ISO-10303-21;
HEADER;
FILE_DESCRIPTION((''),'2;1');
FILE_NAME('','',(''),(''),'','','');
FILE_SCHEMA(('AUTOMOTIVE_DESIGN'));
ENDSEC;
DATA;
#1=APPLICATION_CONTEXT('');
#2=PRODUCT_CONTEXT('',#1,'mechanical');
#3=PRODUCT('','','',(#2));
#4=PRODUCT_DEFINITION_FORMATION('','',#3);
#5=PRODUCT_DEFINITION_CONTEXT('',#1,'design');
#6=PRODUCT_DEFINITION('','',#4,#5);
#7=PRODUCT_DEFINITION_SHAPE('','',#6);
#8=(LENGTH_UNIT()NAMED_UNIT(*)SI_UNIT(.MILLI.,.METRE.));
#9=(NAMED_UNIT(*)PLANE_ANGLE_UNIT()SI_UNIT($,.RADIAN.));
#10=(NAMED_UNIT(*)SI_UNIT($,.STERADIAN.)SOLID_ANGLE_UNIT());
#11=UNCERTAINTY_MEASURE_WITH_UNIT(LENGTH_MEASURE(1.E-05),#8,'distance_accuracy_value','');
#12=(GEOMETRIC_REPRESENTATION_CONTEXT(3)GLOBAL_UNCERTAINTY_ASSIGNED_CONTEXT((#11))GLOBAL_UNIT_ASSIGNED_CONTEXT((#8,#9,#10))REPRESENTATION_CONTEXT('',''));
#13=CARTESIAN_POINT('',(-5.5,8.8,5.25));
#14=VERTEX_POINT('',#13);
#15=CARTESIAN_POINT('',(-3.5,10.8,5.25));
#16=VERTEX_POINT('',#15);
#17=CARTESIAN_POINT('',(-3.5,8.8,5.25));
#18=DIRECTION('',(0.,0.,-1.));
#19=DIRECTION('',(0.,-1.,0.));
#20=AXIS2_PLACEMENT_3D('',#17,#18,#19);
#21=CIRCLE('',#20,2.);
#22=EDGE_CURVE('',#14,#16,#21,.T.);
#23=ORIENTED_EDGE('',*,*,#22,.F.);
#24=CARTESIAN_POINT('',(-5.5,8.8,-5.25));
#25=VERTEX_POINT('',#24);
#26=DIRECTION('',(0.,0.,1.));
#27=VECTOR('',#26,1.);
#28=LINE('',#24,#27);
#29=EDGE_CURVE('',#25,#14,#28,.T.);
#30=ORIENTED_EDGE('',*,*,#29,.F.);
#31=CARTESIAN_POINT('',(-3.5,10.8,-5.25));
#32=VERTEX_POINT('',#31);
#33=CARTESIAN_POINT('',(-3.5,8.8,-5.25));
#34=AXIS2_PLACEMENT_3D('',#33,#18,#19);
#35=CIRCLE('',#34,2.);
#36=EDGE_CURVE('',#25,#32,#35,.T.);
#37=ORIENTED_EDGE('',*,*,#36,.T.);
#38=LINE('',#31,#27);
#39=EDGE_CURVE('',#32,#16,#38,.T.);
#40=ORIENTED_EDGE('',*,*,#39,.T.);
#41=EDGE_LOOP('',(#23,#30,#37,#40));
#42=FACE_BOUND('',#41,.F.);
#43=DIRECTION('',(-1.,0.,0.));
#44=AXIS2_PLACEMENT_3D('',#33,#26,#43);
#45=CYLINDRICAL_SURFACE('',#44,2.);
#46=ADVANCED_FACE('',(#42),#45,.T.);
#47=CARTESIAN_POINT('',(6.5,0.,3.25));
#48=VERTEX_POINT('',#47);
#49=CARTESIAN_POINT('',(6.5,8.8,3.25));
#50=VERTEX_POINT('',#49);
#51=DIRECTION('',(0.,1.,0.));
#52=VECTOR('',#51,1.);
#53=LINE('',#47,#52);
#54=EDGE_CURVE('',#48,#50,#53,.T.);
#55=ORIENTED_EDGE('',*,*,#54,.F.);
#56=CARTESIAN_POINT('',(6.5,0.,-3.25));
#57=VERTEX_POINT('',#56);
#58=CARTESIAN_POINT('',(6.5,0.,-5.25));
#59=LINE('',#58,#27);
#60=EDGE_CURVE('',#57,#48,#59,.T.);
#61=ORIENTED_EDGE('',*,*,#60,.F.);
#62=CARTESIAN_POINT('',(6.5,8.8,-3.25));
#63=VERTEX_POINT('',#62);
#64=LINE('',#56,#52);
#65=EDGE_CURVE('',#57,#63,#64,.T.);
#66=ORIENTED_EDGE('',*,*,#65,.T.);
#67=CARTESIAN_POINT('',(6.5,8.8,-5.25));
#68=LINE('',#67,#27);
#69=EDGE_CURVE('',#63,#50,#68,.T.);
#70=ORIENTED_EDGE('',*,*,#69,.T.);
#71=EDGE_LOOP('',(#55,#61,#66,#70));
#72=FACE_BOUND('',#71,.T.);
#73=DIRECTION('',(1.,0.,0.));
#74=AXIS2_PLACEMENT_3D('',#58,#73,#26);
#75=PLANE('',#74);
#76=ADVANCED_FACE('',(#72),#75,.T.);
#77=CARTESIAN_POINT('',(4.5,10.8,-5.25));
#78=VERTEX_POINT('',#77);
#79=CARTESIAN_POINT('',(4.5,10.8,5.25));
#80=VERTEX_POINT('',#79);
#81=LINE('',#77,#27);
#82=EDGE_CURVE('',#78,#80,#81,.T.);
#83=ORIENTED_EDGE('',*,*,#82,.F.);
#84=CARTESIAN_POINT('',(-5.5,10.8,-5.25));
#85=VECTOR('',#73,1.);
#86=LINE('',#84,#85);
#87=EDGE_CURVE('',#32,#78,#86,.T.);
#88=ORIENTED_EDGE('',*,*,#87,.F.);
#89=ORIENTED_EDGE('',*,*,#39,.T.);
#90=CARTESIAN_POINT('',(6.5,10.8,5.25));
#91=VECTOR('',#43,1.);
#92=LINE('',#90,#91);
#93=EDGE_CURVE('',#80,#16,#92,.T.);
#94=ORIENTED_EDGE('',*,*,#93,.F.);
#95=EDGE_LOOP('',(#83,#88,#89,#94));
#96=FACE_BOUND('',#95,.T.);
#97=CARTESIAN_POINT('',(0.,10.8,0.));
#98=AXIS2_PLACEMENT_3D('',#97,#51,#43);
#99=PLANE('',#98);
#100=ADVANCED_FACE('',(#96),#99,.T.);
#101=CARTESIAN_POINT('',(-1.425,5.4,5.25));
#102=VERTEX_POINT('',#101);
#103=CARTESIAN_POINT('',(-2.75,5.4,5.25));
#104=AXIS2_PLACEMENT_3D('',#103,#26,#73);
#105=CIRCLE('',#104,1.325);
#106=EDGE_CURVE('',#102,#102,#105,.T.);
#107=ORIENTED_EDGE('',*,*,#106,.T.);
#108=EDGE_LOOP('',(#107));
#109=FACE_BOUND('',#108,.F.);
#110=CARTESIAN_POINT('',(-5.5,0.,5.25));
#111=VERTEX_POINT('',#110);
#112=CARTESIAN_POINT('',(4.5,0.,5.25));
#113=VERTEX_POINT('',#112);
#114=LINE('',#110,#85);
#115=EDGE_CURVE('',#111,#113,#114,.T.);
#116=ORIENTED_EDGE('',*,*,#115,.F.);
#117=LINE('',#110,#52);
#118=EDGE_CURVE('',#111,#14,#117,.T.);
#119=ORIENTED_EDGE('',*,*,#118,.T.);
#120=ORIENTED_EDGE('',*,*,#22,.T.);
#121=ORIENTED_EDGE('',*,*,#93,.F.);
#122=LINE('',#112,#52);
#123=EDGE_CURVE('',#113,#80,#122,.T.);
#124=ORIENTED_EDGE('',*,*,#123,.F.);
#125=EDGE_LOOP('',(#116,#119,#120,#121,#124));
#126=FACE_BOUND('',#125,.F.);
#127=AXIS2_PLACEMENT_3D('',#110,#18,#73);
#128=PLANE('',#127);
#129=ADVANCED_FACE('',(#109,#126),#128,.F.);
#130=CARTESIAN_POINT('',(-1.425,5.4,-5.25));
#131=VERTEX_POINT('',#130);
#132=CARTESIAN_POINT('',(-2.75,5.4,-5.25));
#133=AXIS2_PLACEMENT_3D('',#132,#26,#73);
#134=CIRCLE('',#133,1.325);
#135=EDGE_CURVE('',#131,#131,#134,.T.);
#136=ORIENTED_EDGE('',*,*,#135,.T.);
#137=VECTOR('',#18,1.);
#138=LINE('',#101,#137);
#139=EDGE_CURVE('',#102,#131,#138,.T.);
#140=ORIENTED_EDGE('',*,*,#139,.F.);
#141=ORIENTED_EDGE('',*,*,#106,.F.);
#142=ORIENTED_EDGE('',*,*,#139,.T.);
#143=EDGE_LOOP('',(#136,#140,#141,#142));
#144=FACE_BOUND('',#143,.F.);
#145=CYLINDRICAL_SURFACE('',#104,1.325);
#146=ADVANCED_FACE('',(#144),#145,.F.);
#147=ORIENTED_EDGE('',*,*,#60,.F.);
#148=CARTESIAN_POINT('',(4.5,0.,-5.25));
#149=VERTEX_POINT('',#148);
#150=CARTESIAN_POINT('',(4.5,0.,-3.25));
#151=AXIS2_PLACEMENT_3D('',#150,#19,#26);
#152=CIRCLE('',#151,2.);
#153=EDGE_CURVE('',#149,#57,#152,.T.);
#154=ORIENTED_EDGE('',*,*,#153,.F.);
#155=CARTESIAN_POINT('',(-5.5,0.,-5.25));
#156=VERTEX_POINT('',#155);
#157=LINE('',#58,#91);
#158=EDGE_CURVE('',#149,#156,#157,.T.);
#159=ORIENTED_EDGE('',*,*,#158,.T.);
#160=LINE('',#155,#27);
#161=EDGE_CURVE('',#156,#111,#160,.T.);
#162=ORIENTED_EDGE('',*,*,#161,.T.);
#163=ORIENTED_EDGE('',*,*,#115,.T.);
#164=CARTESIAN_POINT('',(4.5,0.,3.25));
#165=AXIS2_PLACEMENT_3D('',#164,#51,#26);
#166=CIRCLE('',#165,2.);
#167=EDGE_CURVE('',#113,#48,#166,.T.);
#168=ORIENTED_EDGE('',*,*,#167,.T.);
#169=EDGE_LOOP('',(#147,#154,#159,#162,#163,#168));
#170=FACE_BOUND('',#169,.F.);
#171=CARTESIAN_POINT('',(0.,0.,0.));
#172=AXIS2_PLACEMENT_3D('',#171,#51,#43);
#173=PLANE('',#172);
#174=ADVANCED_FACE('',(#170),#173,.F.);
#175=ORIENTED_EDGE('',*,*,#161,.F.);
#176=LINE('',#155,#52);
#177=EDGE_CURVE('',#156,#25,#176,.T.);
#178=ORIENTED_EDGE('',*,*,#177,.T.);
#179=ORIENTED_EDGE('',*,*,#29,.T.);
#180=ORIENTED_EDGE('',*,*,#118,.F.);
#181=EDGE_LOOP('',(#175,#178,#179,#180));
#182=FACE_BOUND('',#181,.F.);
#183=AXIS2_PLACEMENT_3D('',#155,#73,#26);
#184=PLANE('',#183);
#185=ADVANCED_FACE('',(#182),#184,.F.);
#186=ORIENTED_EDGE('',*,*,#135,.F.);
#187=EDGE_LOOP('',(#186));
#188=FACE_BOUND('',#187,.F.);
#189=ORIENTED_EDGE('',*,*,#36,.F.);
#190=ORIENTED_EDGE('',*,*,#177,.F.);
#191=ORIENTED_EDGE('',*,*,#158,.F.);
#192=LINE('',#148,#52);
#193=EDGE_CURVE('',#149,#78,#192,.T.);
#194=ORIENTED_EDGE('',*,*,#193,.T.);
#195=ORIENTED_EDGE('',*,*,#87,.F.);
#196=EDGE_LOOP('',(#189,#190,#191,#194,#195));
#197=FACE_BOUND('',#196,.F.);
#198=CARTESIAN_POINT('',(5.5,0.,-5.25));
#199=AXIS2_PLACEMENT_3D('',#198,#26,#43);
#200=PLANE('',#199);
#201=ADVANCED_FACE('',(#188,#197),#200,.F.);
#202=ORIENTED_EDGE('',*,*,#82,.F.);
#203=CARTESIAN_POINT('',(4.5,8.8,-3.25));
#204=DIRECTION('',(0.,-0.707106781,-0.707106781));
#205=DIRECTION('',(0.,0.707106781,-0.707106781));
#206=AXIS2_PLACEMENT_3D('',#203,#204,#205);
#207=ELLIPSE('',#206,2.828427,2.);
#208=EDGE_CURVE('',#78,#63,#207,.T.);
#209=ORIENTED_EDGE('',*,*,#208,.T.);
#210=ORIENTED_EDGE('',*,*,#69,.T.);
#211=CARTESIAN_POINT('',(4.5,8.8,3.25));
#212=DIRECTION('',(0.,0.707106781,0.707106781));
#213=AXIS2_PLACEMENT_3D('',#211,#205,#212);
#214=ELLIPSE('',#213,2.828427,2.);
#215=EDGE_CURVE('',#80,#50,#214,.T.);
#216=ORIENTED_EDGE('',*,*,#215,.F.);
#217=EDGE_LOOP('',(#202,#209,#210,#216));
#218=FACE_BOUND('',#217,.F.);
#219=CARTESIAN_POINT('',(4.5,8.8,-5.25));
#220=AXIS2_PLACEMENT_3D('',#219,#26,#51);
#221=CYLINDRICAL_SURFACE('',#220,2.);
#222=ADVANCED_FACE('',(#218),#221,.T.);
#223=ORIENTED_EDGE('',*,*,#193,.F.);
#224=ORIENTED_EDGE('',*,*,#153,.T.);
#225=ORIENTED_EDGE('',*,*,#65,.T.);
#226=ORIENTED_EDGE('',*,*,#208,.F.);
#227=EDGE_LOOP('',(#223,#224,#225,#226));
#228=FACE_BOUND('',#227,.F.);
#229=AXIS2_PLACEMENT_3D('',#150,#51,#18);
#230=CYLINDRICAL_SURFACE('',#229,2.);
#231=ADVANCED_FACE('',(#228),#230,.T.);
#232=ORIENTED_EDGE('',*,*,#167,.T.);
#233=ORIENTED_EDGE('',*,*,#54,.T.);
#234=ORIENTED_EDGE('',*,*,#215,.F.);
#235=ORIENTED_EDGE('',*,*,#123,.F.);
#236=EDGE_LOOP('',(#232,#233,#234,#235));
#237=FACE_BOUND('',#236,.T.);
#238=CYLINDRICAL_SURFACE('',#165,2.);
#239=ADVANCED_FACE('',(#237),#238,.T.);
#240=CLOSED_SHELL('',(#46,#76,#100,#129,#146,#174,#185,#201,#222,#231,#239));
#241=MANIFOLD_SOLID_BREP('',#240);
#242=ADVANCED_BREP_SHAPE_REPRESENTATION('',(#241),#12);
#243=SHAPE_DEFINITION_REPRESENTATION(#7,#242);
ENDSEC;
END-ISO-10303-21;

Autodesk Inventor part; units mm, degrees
ref_plane "YZ Plane" through (0, 0, 0) normal (1, 0, 0) x (0, 1, 0)
ref_plane "XZ Plane" through (0, 0, 0) normal (0, 1, 0) x (-1, 0, 0)
ref_plane "XY Plane" through (0, 0, 0) normal (0, 0, 1) x (1, 0, 0)
sketch "Эскиз2" plane through (0, 0, 0) normal (0, 1, 0) x (-1, 0, 0)
  line L0 (5.5, 5.25) -> (-5.5, 5.25)
  line L1 (-5.5, 5.25) -> (-5.5, -5.25)
  line L2 (-5.5, -5.25) -> (5.5, -5.25)
  line L3 (5.5, -5.25) -> (5.5, 5.25)
  line L4 (5.5, 0) -> (-5.5, 0) construction
  line L5 (0, 5.25) -> (0, -5.25) construction
  circle A0 centre (0, 0) radius 1.25
  line L6 (-5.5, -5.25) -> (-6.5, -5.25)
  line L7 (-6.5, -5.25) -> (-6.5, 5.25)
  line L8 (-6.5, 5.25) -> (-5.5, 5.25)
  line L9 (-5.5, 5.25) -> (-5.5, -5.25)
  dimension "d0" = 11
  dimension "d1" = 10.5
  dimension "d2" = 2.5
  dimension "d12" = 1
extrude "Выдавливание1" add sketch "Эскиз2" along normal blind 10.8 contours L3 L2 L1 L0 | L1 L6 L7 L8 | A0
sketch "Эскиз4" plane through (-5.5, 0, 5.25) normal (0, 0, 1) x (1, 0, 0)
  line L0 (5.5, 0) -> (2.75, 10.8) construction
  line L1 (5.5, 10.8) -> (0, 10.8) construction
  line L2 (0, 0) -> (0, 10.8) construction
  line L3 (0, 5.4) -> (5.5, 5.4) construction
  line L4 (5.5, 0) -> (5.5, 10.8) construction
  circle A0 centre (2.75, 5.4) radius 1.325
  dimension "d8" = 2.65
extrude "Выдавливание3" cut sketch "Эскиз4" against normal blind 10.5
fillet "Сопряжение2" radius 2 4 edges at (6.5, 5.4, 5.25) (6.5, 5.4, -5.25) (6.5, 10.8, 0) (-5.5, 10.8, 0)
properties part number "pusher"
